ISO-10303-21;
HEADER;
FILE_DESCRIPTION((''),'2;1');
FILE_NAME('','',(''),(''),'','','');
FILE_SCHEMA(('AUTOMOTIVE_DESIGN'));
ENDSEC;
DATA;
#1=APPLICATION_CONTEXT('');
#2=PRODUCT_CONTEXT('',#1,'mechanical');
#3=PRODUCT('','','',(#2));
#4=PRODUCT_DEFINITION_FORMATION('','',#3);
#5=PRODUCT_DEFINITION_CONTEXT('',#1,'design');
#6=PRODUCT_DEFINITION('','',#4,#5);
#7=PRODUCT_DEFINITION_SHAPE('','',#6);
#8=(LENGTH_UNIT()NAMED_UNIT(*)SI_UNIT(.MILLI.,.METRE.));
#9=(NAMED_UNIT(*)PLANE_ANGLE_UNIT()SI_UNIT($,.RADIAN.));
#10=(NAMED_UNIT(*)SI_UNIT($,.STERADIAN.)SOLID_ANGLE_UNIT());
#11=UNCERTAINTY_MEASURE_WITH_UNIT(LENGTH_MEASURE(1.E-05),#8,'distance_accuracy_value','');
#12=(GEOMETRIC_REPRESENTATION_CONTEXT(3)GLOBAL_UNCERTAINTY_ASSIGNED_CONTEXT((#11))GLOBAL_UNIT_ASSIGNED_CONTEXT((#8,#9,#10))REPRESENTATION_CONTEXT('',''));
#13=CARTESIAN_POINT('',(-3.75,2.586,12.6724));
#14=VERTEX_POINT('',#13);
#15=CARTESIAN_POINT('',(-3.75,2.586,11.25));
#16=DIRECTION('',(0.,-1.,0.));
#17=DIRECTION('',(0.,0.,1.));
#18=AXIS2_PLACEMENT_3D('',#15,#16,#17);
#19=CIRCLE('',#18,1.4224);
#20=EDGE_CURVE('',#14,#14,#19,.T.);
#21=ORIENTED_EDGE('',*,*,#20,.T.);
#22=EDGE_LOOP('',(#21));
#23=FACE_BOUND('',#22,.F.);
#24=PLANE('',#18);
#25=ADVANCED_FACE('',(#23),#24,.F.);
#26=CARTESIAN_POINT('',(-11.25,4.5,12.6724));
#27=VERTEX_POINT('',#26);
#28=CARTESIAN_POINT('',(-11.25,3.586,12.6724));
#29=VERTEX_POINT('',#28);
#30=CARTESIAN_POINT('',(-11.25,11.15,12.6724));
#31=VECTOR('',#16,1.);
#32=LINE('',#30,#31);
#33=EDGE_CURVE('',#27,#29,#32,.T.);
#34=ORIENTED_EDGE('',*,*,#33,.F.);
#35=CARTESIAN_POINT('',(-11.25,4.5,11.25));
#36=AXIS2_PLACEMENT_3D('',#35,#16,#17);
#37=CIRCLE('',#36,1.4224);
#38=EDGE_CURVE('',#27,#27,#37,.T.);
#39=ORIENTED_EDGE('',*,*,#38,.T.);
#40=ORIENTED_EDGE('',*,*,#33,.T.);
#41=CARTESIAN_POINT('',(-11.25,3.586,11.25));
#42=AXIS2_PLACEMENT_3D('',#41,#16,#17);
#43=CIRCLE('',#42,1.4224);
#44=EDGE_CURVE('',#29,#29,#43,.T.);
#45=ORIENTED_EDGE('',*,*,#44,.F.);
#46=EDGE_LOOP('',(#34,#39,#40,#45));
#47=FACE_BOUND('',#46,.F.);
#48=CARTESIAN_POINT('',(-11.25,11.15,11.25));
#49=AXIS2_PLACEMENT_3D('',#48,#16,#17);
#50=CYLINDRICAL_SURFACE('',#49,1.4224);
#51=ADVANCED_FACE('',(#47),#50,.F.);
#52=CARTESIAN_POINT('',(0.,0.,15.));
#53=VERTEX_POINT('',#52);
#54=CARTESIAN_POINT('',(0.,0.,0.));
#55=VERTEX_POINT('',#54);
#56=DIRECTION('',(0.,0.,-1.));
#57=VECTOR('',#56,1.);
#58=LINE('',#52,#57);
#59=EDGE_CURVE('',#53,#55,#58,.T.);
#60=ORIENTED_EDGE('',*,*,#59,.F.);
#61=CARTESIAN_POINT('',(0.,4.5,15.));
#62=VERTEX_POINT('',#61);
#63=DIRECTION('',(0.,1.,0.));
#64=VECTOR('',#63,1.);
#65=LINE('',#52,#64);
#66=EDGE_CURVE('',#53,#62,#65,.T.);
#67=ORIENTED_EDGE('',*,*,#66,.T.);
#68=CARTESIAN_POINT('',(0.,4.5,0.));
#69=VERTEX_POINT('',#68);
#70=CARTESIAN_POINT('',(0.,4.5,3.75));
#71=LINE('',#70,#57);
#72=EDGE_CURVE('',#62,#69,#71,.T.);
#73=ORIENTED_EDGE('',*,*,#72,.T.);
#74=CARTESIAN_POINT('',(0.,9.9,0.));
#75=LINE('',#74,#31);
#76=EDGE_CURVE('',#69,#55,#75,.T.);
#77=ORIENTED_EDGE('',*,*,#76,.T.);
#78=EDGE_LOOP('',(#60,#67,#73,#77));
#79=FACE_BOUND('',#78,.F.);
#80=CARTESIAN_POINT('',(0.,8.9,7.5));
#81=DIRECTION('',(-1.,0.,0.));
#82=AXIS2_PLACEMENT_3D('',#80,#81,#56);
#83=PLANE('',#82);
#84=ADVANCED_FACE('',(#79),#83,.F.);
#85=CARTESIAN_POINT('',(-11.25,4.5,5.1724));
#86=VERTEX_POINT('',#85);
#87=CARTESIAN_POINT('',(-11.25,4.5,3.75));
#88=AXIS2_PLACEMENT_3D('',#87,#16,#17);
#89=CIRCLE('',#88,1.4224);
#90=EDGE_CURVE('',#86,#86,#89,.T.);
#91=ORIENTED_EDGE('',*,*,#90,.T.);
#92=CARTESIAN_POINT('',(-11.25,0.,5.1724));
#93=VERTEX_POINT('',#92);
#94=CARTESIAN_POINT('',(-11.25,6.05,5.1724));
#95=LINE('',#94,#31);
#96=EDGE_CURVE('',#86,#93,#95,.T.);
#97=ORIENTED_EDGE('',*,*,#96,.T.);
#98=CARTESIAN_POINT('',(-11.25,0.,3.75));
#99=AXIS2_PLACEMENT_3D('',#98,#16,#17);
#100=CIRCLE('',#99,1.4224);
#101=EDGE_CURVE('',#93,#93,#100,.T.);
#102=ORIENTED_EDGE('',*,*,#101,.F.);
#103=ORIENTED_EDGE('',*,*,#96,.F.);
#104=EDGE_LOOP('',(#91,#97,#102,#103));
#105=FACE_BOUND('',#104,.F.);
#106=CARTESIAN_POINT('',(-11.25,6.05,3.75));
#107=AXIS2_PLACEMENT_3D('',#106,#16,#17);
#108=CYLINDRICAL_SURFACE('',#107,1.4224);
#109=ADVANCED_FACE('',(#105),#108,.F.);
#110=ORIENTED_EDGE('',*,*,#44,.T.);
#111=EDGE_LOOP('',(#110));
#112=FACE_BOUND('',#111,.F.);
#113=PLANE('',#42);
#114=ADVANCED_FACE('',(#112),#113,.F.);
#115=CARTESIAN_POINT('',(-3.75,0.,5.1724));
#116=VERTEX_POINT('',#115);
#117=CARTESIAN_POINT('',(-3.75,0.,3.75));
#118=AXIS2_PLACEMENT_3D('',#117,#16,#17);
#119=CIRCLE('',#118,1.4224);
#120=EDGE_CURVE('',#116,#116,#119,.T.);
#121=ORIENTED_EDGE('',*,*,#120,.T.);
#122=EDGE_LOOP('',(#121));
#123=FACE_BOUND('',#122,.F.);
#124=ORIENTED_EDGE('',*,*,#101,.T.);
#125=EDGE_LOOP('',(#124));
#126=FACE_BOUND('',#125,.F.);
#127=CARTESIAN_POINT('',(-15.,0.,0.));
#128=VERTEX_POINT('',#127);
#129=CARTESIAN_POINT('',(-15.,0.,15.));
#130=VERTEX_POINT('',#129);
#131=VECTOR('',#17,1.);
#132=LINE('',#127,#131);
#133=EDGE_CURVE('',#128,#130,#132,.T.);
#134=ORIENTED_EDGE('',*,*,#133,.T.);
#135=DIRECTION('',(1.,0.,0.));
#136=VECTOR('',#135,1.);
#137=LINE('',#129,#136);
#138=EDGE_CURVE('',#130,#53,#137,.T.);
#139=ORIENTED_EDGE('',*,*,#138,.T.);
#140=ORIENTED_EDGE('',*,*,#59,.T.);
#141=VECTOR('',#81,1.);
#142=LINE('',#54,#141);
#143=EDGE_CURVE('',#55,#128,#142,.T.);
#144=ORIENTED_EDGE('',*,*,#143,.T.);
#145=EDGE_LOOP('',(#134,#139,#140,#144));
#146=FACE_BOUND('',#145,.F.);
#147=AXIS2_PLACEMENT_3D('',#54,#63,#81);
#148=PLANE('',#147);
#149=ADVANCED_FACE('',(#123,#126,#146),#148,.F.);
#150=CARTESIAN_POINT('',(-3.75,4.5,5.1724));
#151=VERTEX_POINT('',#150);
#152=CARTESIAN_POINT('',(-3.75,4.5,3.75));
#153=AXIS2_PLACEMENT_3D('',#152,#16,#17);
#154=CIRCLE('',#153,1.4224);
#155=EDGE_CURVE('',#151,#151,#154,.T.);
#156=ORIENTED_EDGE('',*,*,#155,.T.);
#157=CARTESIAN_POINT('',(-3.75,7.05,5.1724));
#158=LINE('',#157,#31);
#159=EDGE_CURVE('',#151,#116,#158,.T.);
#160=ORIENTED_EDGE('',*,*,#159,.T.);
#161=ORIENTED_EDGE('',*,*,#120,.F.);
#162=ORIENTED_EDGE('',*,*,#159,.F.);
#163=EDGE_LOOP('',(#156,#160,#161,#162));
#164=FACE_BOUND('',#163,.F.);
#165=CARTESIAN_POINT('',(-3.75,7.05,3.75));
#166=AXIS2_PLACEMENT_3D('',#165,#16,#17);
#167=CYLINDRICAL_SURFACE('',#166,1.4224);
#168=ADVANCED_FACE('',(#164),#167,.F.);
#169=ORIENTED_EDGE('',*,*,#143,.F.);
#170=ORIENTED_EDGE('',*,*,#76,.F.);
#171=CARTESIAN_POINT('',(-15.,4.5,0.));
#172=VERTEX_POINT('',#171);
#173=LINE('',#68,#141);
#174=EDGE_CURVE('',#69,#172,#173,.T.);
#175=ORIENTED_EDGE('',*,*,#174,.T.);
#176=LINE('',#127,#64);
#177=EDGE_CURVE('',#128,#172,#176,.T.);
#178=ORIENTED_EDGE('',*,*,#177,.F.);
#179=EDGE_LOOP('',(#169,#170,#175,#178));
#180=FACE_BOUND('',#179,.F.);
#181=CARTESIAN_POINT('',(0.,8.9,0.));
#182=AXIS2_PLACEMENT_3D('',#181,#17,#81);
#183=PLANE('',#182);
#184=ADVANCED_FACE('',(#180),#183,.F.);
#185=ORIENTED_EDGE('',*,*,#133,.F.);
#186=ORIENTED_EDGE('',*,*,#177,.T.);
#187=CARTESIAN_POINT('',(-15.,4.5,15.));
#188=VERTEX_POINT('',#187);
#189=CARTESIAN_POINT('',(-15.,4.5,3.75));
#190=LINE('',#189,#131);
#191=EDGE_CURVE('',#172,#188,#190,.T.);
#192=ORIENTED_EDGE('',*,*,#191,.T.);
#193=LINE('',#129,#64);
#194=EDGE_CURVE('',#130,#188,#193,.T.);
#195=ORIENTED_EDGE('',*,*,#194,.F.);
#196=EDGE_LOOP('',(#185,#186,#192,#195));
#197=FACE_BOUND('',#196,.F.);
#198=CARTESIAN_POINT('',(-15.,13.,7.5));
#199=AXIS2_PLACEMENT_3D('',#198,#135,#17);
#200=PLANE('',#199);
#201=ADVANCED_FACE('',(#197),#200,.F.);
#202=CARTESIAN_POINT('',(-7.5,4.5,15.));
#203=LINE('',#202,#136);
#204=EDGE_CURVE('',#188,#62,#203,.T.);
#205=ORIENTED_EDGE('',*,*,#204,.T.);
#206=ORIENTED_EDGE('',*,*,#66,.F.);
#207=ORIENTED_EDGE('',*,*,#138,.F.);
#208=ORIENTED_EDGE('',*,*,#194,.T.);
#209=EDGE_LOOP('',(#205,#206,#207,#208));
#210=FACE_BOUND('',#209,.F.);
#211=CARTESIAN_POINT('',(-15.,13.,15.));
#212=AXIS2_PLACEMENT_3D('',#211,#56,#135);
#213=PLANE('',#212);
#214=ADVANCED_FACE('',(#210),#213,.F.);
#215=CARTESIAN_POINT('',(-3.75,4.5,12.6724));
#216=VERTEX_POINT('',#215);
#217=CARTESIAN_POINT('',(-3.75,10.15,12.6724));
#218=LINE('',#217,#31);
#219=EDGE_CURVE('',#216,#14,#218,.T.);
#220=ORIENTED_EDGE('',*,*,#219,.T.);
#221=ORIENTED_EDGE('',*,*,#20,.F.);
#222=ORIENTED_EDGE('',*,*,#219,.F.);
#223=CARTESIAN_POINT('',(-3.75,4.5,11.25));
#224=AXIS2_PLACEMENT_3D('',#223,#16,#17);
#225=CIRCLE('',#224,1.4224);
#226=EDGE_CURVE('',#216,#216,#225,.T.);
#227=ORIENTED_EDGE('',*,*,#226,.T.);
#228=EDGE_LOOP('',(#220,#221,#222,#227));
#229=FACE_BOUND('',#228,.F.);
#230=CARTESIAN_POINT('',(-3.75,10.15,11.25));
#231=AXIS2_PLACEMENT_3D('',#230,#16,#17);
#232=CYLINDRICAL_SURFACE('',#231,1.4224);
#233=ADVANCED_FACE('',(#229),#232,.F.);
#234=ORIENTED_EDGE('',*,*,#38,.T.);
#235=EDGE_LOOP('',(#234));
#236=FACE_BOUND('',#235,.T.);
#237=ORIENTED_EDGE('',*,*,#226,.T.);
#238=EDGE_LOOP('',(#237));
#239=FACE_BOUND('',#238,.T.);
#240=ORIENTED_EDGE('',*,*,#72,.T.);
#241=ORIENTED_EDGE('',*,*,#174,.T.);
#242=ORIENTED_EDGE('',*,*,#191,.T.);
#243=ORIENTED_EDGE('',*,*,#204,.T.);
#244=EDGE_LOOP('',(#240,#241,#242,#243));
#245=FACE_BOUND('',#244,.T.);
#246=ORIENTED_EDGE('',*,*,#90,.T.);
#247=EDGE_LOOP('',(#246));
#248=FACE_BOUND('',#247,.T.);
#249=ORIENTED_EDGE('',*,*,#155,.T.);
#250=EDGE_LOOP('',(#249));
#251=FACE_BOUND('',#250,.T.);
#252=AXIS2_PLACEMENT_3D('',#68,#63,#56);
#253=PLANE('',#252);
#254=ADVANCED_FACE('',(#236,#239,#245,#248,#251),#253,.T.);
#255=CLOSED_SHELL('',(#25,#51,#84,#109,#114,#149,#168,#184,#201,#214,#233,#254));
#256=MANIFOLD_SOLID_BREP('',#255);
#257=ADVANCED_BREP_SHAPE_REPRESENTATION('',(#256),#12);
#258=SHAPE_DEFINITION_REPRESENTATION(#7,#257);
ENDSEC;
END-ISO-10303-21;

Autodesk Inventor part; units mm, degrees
ref_plane "YZ Plane" through (0, 0, 0) normal (1, 0, 0) x (0, 1, 0)
ref_plane "XY Plane" through (0, 0, 0) normal (0, 0, 1) x (1, 0, 0)
sketch "Sketch1" plane through (0, 0, 0) normal (0, 1, 0) x (-1, 0, 0)
  line L0 (15, 15) -> (0, 15)
  line L1 (0, 15) -> (0, 0)
  line L2 (0, 0) -> (15, 0)
  line L3 (15, 0) -> (15, 15)
  dimension "d0" = 15
  dimension "d1" = 15
extrude "Extrusion1" add sketch "Sketch1" along normal blind 13
sketch "Sketch2" plane through (0, 13, 0) normal (0, 1, 0) x (1, 0, 0)
  line L0 (-15, -15) -> (0, -15) construction
  line L1 (0, -15) -> (0, 0) construction
  line L2 (0, 0) -> (-15, 0) construction
  line L3 (-15, 0) -> (-15, -15) construction
  line L4 (-15, 0) -> (-15, -15) construction
  line L5 (-15, -7.5) -> (0, -7.5) construction
  line L6 (-15, -7.5) -> (0, -7.5)
  line L7 (0, -7.5) -> (0, 0)
  line L8 (0, 0) -> (-15, 0)
  line L9 (-15, 0) -> (-15, -7.5)
extrude "Extrusion2" cut sketch "Sketch2" against normal blind 4.1
sketch "Sketch3" plane through (0, 13, 0) normal (0, 1, 0) x (1, 0, 0)
  line L0 (0, -7.5) -> (-15, -7.5) construction
  line L1 (-15, -7.5) -> (-15, -15) construction
  line L2 (-15, -15) -> (0, -15) construction
  line L3 (0, -15) -> (0, -7.5) construction
  line L4 (-15, -15) -> (0, -15) construction
  line L5 (-7.5, -15) -> (-7.5, -7.5) construction
  line L6 (-15, -15) -> (-7.5, -15)
  line L7 (-7.5, -15) -> (-7.5, -7.5)
  line L8 (-7.5, -7.5) -> (-15, -7.5)
  line L9 (-15, -7.5) -> (-15, -15)
  point P0 (0, 0)
extrude "Extrusion3" add sketch "Sketch3" along normal blind 1
sketch "Sketch4" plane through (0, 8.9, 0) normal (0, 1, 0) x (1, 0, 0)
  line L0 (0, 0) -> (0, -7.5) construction
  line L1 (-15, 0) -> (0, 0) construction
  line L2 (-15, -7.5) -> (-15, 0) construction
  line L3 (0, -7.5) -> (-15, -7.5) construction
  line L4 (-7.5, -7.5) -> (-7.5, 0) construction
  line L5 (-7.5, -7.5) -> (0, -7.5)
  line L6 (0, -7.5) -> (0, 0)
  line L7 (0, 0) -> (-7.5, 0)
  line L8 (-7.5, 0) -> (-7.5, -7.5)
extrude "Extrusion4" add sketch "Sketch4" along normal blind 1
sketch "Sketch5" plane through (0, 14, 0) normal (0, 1, 0) x (1, 0, 0)
  line L0 (-15, -15) -> (-7.5, -15) construction
  line L1 (-7.5, -15) -> (-7.5, -7.5) construction
  line L2 (-7.5, -7.5) -> (-15, -7.5) construction
  line L3 (-15, -7.5) -> (-15, -15) construction
  point P0 (0, 0)
  point P1 (-11.25, -11.25)
  point P2 (-11.25, -11.25)
sketch "Sketch6" plane through (0, 13, 0) normal (0, 1, 0) x (1, 0, 0)
  line L0 (-7.5, -7.5) -> (-7.5, -15) construction
  line L1 (-7.5, -15) -> (0, -15) construction
  line L2 (0, -15) -> (0, -7.5) construction
  line L3 (0, -7.5) -> (-7.5, -7.5) construction
  point P0 (0, 0)
  point P1 (-3.75, -11.25)
sketch "Sketch7" plane through (0, 9.9, 0) normal (0, 1, 0) x (1, 0, 0)
  line L0 (0, -7.5) -> (0, 0) construction
  line L1 (0, 0) -> (-7.5, 0) construction
  line L2 (-7.5, 0) -> (-7.5, -7.5) construction
  line L3 (0, -7.5) -> (-7.5, -7.5) construction
  point P0 (-3.75, -3.75)
sketch "Sketch8" plane through (0, 8.9, 0) normal (0, 1, 0) x (1, 0, 0)
  line L0 (-7.5, -7.5) -> (-7.5, 0) construction
  line L1 (-15, 0) -> (-7.5, 0) construction
  line L2 (-15, -7.5) -> (-15, 0) construction
  line L3 (-7.5, -7.5) -> (-15, -7.5) construction
  point P0 (0, 0)
  point P1 (-11.25, -3.75)
hole "Hole1" at (-11.25, 14, 11.25) direction (0, -1, 0) diameter 2.8448 depth 10.414 counterbore diameter 5.37 counterbore depth 2.85
hole "Hole2" at (-3.75, 13, 11.25) direction (0, -1, 0) diameter 2.8448 depth 10.414 counterbore diameter 5.37 counterbore depth 2.85
hole "Hole3" at (-11.25, 8.9, 3.75) direction (0, -1, 0) diameter 2.8448 depth 10.414 counterbore diameter 5.37 counterbore depth 2.85
hole "Hole4" at (-3.75, 9.9, 3.75) direction (0, -1, 0) diameter 2.8448 depth 10.414 counterbore diameter 5.37 counterbore depth 2.85
ref_plane "Work Plane1" through (0, 4.5, 0) normal (0, 1, 0) x (-1, 0, 0)
split "Split1" plane through (0, 4.5, 0) removes the side toward (0, 1, 0)
properties part number "screwprint"
